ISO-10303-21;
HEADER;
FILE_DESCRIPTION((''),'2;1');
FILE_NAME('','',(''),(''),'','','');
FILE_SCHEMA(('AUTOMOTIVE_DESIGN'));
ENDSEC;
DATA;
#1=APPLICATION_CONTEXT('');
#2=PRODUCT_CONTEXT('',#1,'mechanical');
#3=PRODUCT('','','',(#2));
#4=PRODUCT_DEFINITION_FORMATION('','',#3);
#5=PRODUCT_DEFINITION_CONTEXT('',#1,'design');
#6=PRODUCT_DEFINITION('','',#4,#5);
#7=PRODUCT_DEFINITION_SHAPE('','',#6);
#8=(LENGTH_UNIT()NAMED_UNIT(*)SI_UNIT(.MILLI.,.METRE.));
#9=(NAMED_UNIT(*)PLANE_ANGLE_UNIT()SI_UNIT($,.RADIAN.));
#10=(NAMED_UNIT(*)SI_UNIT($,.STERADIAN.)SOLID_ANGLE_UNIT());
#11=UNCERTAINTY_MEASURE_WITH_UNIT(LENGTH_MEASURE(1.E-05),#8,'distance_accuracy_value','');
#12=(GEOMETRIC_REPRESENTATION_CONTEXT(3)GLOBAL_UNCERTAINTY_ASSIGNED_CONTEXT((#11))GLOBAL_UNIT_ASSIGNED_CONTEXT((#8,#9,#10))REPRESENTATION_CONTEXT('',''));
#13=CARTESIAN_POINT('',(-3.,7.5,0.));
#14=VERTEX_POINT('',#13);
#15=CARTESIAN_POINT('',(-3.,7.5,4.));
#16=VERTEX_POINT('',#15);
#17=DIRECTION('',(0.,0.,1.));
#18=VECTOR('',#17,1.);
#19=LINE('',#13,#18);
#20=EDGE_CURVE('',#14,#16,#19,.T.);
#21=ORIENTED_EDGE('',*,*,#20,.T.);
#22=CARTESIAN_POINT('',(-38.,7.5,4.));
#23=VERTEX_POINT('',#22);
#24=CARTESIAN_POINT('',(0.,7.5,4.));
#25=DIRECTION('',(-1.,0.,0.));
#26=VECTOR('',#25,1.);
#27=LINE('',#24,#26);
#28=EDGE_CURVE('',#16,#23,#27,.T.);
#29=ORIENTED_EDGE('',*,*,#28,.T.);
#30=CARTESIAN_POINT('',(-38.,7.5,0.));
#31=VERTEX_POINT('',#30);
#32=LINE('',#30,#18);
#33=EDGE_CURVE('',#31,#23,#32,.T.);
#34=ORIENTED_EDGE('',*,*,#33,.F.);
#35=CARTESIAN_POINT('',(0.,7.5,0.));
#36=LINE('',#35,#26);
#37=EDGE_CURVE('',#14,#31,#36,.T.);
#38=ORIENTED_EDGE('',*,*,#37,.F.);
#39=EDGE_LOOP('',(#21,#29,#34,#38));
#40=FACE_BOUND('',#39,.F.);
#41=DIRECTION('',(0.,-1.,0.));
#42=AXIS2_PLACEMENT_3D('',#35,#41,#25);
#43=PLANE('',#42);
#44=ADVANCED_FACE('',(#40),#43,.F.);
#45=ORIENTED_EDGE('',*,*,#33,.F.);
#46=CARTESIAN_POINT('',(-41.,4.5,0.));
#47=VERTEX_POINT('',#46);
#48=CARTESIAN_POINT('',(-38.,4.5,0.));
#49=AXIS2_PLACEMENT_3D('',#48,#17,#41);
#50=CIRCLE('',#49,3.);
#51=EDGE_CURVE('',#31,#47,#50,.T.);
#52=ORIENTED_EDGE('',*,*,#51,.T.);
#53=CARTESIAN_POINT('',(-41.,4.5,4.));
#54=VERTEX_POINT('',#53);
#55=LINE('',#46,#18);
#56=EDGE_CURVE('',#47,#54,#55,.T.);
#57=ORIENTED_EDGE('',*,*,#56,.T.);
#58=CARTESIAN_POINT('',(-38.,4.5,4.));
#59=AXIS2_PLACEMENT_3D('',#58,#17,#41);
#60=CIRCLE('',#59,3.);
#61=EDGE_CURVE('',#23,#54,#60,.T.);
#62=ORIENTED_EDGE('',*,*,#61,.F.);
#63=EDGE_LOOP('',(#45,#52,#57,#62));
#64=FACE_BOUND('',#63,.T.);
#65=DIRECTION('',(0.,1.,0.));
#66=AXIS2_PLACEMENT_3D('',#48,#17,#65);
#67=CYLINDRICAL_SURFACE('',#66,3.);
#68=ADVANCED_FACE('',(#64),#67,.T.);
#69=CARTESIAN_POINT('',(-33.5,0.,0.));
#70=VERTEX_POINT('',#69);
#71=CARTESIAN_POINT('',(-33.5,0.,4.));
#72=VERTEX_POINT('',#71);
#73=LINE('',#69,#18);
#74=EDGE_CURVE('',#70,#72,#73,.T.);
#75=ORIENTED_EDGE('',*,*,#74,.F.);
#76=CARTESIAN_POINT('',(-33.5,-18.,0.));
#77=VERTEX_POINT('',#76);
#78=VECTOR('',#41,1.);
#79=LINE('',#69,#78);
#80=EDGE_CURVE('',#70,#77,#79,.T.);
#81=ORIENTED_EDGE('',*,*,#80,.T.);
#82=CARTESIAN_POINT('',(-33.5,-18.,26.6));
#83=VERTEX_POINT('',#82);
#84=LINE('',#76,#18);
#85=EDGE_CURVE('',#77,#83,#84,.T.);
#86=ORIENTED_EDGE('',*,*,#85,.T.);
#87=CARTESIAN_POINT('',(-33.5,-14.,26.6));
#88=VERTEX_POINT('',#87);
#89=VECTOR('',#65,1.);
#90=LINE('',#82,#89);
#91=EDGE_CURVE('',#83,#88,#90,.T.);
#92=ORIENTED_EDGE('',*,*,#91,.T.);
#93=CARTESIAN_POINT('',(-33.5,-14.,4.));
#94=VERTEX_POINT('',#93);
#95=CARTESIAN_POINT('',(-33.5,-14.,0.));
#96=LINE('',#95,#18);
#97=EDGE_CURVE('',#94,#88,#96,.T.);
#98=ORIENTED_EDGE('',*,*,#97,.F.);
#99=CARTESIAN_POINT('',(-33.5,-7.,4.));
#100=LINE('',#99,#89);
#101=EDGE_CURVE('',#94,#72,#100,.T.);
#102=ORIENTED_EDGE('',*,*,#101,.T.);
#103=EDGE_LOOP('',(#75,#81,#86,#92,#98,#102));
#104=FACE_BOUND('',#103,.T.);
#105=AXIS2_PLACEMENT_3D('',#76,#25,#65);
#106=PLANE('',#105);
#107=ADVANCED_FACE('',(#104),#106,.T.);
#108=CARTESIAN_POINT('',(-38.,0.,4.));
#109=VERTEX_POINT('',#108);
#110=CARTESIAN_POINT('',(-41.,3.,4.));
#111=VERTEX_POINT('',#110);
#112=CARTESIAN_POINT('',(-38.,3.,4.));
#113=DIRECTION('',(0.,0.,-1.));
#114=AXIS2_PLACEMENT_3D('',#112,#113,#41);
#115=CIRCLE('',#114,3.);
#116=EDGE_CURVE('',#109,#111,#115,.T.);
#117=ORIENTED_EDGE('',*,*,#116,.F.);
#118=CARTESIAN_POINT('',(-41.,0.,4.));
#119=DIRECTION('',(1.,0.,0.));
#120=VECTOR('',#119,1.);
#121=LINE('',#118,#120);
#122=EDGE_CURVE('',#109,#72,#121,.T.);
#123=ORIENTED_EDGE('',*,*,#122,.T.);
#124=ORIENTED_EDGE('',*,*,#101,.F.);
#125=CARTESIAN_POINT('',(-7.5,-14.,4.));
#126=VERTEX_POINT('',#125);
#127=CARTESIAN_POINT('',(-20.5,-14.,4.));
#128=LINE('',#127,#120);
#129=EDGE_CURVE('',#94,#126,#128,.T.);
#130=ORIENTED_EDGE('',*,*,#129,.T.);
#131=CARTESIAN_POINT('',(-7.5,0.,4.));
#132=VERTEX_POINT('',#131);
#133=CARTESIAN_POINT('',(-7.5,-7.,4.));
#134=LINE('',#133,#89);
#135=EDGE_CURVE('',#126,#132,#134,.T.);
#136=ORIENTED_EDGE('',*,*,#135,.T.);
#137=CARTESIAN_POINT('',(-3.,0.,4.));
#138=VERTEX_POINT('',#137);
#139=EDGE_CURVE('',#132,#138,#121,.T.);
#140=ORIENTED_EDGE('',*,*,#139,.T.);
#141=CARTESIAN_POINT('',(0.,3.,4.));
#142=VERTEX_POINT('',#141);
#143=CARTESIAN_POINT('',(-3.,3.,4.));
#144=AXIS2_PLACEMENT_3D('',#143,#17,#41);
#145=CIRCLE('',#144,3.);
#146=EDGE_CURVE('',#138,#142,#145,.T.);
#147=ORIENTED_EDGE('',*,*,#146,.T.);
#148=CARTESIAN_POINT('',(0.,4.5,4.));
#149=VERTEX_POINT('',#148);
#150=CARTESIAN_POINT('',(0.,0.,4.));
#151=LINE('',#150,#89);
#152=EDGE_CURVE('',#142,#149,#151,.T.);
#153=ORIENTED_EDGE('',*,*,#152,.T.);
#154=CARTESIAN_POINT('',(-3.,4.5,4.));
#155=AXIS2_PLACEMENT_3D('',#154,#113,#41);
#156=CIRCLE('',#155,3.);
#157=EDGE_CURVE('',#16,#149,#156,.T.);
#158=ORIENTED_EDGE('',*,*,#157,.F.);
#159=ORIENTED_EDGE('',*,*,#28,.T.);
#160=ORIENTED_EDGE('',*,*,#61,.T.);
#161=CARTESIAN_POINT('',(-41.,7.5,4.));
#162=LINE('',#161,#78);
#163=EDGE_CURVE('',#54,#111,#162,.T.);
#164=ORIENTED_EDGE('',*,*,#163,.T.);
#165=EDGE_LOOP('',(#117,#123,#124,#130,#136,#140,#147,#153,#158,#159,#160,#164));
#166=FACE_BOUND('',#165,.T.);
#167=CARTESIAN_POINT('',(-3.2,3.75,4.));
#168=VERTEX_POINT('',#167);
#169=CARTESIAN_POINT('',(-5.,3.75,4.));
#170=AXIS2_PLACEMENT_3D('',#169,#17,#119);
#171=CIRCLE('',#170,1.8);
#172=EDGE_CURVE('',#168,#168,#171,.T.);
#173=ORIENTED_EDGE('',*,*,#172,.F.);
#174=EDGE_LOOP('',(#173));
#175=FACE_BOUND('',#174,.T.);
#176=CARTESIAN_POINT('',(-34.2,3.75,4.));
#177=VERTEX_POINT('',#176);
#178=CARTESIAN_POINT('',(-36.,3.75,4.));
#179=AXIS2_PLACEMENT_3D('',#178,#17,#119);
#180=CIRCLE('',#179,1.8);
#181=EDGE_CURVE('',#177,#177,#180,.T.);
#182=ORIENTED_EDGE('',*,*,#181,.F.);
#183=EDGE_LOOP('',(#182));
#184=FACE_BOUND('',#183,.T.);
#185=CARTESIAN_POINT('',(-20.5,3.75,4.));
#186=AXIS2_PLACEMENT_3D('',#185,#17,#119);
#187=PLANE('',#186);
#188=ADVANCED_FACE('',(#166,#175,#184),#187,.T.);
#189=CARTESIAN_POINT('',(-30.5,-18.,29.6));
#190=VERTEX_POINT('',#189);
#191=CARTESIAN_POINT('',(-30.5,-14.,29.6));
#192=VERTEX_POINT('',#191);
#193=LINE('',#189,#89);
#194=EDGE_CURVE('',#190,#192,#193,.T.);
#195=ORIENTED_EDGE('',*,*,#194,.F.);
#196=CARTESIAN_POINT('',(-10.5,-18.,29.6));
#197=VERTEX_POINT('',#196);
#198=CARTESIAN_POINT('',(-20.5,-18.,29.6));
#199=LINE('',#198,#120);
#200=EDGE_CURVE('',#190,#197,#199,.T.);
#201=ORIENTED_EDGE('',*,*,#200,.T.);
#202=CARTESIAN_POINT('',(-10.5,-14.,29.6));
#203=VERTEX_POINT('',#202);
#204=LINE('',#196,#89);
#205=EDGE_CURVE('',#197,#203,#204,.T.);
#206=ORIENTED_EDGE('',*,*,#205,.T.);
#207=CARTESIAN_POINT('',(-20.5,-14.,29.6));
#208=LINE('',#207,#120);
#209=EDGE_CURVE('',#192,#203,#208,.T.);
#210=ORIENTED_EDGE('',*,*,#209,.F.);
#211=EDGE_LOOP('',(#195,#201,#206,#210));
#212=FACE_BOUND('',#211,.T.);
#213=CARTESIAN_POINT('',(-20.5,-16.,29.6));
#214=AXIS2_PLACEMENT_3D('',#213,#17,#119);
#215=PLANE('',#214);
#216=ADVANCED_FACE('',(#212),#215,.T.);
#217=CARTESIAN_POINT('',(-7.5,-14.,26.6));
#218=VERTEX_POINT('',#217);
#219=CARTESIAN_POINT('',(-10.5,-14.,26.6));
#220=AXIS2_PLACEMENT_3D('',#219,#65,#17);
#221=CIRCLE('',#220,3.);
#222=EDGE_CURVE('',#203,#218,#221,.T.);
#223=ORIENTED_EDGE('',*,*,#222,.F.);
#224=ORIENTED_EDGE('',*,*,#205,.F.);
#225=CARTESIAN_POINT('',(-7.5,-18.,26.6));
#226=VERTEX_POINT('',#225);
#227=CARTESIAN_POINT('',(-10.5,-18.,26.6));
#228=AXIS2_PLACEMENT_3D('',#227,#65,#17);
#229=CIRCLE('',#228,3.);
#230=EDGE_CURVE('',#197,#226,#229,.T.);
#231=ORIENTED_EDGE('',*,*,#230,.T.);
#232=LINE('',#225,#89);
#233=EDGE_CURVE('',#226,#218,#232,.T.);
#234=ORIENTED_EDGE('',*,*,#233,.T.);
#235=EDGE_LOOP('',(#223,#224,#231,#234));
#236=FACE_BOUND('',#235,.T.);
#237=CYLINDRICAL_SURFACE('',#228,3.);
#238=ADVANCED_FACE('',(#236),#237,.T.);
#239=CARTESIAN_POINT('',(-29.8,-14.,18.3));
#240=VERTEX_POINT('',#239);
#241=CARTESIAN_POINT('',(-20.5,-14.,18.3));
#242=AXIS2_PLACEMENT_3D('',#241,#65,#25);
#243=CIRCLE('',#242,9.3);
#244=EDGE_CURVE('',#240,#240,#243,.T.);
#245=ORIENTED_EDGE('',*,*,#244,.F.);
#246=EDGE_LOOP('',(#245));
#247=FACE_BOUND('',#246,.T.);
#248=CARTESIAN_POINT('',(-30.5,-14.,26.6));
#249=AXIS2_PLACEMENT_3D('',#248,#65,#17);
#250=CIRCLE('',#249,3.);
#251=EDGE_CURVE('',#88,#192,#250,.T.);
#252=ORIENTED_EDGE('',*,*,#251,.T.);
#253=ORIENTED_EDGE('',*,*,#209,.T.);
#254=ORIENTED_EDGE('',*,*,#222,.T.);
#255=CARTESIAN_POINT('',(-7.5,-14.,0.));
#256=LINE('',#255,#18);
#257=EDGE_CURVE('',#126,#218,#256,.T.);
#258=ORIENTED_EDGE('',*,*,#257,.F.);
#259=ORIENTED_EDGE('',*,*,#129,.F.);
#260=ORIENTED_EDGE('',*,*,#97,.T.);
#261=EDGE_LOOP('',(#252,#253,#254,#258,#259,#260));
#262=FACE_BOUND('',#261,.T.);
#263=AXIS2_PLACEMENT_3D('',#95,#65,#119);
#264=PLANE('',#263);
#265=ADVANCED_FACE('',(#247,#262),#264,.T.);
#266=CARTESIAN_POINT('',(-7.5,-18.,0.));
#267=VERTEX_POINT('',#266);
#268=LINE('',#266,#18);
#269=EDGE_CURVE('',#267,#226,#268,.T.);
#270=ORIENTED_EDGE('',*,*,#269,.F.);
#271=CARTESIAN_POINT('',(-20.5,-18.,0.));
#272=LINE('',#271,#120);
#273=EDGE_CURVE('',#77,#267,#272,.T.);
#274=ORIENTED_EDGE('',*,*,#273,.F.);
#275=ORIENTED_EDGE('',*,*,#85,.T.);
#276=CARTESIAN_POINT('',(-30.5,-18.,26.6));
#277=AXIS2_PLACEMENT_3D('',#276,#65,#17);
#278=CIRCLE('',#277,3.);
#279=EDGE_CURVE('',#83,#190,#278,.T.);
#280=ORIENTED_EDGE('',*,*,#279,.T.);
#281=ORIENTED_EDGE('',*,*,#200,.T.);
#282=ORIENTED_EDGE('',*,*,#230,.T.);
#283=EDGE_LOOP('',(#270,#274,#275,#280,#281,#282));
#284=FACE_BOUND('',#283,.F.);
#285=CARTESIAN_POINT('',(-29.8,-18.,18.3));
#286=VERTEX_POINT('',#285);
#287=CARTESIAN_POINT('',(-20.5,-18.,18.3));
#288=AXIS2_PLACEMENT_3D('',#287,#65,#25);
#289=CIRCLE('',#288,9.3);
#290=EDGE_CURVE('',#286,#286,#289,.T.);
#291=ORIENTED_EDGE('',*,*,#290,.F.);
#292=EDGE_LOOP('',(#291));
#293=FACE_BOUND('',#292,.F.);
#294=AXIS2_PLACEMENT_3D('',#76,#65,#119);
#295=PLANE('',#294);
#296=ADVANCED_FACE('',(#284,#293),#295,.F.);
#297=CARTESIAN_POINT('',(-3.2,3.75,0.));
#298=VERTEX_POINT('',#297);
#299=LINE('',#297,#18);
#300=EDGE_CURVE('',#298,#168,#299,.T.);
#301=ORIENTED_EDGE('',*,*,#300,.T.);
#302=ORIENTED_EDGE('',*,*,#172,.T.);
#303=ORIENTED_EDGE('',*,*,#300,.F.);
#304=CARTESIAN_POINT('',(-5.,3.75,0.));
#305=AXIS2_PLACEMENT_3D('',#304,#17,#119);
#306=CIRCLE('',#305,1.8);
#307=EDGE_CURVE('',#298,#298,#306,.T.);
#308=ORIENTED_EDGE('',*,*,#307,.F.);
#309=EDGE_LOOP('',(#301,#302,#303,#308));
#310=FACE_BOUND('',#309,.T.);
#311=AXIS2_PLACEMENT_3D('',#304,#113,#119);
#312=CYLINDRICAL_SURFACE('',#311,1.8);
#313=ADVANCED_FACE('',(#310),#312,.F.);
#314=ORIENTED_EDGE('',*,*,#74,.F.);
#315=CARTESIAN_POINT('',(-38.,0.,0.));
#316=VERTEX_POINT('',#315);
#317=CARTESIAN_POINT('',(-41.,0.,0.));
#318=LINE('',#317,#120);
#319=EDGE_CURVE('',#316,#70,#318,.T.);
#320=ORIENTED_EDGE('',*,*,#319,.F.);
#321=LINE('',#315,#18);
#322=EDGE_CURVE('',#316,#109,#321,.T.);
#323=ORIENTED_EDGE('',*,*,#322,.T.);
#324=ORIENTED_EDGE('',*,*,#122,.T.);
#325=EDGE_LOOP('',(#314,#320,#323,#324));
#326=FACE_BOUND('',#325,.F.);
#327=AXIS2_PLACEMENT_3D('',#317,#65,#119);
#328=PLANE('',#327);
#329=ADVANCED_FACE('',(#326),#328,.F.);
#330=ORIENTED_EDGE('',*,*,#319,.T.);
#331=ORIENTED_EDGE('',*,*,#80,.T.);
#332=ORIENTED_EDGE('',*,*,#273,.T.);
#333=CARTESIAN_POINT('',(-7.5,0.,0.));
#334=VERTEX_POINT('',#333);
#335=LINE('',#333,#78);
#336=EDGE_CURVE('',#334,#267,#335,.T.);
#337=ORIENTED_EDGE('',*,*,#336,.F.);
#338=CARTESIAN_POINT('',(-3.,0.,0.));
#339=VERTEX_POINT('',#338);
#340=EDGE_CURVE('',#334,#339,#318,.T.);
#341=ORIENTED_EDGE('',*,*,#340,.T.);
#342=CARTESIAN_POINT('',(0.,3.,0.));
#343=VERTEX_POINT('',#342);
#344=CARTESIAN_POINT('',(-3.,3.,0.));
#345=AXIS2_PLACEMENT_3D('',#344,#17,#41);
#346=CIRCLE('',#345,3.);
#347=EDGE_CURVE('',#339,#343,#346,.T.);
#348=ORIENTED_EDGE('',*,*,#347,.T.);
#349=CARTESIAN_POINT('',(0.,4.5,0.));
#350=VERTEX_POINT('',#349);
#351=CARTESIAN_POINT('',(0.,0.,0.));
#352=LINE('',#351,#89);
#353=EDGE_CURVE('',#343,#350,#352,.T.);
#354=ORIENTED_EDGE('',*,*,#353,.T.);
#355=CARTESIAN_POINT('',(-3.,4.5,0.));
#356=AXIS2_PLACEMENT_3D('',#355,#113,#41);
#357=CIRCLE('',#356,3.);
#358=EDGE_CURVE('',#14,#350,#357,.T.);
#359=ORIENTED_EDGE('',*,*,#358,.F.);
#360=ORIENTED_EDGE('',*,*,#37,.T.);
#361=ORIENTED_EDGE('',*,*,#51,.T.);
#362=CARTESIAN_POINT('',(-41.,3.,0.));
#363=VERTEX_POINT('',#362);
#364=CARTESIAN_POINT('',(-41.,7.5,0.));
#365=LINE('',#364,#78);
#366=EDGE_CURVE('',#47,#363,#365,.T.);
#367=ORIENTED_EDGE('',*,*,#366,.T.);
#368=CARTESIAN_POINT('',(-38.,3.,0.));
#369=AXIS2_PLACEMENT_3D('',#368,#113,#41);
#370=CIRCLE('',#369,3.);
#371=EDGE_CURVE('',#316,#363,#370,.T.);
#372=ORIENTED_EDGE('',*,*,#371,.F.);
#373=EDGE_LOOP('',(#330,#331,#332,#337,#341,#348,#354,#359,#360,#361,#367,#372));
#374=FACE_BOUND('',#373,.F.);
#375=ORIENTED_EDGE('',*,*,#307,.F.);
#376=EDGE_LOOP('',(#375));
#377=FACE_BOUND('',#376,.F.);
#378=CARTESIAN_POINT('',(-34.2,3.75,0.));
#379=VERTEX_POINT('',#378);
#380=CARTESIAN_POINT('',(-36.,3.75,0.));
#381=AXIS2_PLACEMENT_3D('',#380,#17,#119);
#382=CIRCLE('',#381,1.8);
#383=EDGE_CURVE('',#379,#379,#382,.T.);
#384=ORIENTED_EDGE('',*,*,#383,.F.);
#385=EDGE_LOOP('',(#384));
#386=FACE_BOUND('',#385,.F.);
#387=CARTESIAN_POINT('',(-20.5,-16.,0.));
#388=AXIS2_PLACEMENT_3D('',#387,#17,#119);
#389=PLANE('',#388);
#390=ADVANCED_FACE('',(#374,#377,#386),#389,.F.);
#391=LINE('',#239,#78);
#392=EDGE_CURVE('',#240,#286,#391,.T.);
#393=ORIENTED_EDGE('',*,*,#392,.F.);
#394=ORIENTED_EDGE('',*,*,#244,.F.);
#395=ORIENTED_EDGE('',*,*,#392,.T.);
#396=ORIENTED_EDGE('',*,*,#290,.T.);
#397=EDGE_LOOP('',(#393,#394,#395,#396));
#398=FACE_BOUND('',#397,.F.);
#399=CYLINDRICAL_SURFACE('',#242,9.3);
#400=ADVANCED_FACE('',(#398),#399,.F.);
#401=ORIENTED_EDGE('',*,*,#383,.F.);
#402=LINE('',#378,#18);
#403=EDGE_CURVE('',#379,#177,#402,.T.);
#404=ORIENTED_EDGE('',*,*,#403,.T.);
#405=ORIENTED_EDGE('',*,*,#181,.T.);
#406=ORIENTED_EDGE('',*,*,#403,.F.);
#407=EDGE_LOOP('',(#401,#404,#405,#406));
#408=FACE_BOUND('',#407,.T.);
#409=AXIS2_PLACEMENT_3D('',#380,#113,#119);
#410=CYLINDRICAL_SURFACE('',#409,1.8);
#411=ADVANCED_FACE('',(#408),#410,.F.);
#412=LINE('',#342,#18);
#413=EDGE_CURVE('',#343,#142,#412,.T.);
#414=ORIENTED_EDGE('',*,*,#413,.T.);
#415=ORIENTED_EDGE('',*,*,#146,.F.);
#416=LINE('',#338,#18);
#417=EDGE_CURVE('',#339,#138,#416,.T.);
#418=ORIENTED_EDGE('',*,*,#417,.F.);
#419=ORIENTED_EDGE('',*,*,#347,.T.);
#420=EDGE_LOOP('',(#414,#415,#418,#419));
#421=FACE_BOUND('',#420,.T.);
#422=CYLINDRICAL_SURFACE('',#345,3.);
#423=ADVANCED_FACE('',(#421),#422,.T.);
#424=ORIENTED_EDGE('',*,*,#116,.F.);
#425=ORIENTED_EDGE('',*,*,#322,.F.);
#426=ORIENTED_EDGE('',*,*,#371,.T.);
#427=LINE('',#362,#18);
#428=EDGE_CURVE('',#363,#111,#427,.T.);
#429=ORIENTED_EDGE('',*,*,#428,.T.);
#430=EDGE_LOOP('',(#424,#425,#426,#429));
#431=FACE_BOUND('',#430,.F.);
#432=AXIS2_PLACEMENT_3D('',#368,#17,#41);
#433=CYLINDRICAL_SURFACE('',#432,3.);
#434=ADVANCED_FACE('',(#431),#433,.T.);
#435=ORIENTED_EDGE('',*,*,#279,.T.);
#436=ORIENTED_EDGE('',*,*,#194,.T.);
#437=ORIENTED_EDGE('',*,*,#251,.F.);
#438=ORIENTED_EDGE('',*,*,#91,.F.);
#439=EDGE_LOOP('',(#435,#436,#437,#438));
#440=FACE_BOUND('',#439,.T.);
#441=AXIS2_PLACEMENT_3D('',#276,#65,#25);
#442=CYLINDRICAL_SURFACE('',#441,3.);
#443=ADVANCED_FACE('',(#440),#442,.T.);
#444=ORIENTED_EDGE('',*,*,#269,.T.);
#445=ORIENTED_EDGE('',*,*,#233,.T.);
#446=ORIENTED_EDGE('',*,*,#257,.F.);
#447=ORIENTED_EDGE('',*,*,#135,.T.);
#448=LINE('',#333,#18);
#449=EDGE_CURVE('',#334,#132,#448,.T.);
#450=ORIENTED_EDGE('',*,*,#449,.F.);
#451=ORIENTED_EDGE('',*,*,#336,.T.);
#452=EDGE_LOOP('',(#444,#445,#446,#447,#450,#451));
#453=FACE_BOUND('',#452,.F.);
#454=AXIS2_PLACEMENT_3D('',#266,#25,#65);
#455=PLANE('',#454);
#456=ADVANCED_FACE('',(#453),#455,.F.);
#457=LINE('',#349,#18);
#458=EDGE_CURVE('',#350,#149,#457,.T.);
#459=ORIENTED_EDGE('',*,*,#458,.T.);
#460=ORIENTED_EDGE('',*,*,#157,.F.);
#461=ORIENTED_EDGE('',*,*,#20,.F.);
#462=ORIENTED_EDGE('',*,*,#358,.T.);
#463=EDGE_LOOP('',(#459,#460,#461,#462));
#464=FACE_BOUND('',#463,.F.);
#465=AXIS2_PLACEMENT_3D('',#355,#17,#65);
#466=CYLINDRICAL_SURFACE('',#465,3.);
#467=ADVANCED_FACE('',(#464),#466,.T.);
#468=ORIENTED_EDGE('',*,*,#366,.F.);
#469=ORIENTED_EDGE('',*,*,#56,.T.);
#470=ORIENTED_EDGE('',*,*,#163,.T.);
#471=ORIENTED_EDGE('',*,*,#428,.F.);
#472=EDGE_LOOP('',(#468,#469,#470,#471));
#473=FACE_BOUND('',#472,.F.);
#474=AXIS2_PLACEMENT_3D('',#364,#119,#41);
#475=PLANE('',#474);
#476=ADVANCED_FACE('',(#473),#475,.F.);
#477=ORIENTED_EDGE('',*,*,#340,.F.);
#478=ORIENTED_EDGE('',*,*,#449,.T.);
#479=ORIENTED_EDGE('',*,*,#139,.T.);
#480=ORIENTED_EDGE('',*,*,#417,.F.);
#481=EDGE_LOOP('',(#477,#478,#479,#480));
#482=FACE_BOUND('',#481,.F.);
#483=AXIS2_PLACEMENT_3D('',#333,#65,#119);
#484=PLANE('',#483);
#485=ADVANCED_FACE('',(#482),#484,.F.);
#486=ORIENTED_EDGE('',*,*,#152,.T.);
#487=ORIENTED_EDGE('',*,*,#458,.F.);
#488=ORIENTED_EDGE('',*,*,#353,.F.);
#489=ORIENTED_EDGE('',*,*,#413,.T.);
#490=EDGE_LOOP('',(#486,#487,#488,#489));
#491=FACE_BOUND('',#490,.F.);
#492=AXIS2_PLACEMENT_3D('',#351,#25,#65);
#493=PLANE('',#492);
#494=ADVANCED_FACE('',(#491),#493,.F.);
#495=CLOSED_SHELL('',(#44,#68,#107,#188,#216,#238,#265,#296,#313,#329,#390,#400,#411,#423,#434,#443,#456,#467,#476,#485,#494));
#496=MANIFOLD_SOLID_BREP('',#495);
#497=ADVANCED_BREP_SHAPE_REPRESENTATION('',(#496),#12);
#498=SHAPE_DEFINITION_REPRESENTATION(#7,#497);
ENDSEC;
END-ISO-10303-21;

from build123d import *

# Parameters (mm, degrees)
F0_R     = 1.8
F0_W     = 26
F0_H     = 14
F1_DEPTH = 4
F0_H_2   = 4
F2_DEPTH = 29.6
F3_R     = 9.3
F4_DEPTH = 4
F5_R     = 3


with BuildPart() as f1:
    # F0 (on Top) → F1 (new body)
    with BuildSketch(Plane.XY):
        Polygon((0, 7.5), (-41, 7.5), (-41, 0), (-33.5, 0), (-7.5, 0), (0, 0), align=None)
        with Locations((-36, 3.75)):
            Circle(F0_R, mode=Mode.SUBTRACT)
        with Locations((-5, 3.75)):
            Circle(F0_R, mode=Mode.SUBTRACT)
        with Locations((-20.5, -7)):
            Rectangle(F0_W, F0_H)
    extrude(amount=F1_DEPTH)

    # F0 (on Top) → F2 (join)
    with BuildSketch(Plane.XY):
        with Locations((-20.5, -16)):
            Rectangle(F0_W, F0_H_2)
    extrude(amount=F2_DEPTH)

    # F3 (on face) → F4 (cut, through all)
    with BuildSketch(Plane(origin=(0, -14, 0), x_dir=(-1, 0, 0), z_dir=(0, 1, 0))):
        with Locations((20.5, 18.3)):
            Circle(F3_R)
    extrude(amount=-F4_DEPTH, mode=Mode.SUBTRACT)

    # F5
    f5_edges = [f1.edges().sort_by_distance(p)[0] for p in [
        (0, 0, 2),
        (0, 7.5, 2),
        (-41, 0, 2),
        (-41, 7.5, 2),
        (-33.5, -16, 29.6),
        (-7.5, -16, 29.6),
    ]]
    fillet(f5_edges, radius=F5_R)


solid = f1.part
